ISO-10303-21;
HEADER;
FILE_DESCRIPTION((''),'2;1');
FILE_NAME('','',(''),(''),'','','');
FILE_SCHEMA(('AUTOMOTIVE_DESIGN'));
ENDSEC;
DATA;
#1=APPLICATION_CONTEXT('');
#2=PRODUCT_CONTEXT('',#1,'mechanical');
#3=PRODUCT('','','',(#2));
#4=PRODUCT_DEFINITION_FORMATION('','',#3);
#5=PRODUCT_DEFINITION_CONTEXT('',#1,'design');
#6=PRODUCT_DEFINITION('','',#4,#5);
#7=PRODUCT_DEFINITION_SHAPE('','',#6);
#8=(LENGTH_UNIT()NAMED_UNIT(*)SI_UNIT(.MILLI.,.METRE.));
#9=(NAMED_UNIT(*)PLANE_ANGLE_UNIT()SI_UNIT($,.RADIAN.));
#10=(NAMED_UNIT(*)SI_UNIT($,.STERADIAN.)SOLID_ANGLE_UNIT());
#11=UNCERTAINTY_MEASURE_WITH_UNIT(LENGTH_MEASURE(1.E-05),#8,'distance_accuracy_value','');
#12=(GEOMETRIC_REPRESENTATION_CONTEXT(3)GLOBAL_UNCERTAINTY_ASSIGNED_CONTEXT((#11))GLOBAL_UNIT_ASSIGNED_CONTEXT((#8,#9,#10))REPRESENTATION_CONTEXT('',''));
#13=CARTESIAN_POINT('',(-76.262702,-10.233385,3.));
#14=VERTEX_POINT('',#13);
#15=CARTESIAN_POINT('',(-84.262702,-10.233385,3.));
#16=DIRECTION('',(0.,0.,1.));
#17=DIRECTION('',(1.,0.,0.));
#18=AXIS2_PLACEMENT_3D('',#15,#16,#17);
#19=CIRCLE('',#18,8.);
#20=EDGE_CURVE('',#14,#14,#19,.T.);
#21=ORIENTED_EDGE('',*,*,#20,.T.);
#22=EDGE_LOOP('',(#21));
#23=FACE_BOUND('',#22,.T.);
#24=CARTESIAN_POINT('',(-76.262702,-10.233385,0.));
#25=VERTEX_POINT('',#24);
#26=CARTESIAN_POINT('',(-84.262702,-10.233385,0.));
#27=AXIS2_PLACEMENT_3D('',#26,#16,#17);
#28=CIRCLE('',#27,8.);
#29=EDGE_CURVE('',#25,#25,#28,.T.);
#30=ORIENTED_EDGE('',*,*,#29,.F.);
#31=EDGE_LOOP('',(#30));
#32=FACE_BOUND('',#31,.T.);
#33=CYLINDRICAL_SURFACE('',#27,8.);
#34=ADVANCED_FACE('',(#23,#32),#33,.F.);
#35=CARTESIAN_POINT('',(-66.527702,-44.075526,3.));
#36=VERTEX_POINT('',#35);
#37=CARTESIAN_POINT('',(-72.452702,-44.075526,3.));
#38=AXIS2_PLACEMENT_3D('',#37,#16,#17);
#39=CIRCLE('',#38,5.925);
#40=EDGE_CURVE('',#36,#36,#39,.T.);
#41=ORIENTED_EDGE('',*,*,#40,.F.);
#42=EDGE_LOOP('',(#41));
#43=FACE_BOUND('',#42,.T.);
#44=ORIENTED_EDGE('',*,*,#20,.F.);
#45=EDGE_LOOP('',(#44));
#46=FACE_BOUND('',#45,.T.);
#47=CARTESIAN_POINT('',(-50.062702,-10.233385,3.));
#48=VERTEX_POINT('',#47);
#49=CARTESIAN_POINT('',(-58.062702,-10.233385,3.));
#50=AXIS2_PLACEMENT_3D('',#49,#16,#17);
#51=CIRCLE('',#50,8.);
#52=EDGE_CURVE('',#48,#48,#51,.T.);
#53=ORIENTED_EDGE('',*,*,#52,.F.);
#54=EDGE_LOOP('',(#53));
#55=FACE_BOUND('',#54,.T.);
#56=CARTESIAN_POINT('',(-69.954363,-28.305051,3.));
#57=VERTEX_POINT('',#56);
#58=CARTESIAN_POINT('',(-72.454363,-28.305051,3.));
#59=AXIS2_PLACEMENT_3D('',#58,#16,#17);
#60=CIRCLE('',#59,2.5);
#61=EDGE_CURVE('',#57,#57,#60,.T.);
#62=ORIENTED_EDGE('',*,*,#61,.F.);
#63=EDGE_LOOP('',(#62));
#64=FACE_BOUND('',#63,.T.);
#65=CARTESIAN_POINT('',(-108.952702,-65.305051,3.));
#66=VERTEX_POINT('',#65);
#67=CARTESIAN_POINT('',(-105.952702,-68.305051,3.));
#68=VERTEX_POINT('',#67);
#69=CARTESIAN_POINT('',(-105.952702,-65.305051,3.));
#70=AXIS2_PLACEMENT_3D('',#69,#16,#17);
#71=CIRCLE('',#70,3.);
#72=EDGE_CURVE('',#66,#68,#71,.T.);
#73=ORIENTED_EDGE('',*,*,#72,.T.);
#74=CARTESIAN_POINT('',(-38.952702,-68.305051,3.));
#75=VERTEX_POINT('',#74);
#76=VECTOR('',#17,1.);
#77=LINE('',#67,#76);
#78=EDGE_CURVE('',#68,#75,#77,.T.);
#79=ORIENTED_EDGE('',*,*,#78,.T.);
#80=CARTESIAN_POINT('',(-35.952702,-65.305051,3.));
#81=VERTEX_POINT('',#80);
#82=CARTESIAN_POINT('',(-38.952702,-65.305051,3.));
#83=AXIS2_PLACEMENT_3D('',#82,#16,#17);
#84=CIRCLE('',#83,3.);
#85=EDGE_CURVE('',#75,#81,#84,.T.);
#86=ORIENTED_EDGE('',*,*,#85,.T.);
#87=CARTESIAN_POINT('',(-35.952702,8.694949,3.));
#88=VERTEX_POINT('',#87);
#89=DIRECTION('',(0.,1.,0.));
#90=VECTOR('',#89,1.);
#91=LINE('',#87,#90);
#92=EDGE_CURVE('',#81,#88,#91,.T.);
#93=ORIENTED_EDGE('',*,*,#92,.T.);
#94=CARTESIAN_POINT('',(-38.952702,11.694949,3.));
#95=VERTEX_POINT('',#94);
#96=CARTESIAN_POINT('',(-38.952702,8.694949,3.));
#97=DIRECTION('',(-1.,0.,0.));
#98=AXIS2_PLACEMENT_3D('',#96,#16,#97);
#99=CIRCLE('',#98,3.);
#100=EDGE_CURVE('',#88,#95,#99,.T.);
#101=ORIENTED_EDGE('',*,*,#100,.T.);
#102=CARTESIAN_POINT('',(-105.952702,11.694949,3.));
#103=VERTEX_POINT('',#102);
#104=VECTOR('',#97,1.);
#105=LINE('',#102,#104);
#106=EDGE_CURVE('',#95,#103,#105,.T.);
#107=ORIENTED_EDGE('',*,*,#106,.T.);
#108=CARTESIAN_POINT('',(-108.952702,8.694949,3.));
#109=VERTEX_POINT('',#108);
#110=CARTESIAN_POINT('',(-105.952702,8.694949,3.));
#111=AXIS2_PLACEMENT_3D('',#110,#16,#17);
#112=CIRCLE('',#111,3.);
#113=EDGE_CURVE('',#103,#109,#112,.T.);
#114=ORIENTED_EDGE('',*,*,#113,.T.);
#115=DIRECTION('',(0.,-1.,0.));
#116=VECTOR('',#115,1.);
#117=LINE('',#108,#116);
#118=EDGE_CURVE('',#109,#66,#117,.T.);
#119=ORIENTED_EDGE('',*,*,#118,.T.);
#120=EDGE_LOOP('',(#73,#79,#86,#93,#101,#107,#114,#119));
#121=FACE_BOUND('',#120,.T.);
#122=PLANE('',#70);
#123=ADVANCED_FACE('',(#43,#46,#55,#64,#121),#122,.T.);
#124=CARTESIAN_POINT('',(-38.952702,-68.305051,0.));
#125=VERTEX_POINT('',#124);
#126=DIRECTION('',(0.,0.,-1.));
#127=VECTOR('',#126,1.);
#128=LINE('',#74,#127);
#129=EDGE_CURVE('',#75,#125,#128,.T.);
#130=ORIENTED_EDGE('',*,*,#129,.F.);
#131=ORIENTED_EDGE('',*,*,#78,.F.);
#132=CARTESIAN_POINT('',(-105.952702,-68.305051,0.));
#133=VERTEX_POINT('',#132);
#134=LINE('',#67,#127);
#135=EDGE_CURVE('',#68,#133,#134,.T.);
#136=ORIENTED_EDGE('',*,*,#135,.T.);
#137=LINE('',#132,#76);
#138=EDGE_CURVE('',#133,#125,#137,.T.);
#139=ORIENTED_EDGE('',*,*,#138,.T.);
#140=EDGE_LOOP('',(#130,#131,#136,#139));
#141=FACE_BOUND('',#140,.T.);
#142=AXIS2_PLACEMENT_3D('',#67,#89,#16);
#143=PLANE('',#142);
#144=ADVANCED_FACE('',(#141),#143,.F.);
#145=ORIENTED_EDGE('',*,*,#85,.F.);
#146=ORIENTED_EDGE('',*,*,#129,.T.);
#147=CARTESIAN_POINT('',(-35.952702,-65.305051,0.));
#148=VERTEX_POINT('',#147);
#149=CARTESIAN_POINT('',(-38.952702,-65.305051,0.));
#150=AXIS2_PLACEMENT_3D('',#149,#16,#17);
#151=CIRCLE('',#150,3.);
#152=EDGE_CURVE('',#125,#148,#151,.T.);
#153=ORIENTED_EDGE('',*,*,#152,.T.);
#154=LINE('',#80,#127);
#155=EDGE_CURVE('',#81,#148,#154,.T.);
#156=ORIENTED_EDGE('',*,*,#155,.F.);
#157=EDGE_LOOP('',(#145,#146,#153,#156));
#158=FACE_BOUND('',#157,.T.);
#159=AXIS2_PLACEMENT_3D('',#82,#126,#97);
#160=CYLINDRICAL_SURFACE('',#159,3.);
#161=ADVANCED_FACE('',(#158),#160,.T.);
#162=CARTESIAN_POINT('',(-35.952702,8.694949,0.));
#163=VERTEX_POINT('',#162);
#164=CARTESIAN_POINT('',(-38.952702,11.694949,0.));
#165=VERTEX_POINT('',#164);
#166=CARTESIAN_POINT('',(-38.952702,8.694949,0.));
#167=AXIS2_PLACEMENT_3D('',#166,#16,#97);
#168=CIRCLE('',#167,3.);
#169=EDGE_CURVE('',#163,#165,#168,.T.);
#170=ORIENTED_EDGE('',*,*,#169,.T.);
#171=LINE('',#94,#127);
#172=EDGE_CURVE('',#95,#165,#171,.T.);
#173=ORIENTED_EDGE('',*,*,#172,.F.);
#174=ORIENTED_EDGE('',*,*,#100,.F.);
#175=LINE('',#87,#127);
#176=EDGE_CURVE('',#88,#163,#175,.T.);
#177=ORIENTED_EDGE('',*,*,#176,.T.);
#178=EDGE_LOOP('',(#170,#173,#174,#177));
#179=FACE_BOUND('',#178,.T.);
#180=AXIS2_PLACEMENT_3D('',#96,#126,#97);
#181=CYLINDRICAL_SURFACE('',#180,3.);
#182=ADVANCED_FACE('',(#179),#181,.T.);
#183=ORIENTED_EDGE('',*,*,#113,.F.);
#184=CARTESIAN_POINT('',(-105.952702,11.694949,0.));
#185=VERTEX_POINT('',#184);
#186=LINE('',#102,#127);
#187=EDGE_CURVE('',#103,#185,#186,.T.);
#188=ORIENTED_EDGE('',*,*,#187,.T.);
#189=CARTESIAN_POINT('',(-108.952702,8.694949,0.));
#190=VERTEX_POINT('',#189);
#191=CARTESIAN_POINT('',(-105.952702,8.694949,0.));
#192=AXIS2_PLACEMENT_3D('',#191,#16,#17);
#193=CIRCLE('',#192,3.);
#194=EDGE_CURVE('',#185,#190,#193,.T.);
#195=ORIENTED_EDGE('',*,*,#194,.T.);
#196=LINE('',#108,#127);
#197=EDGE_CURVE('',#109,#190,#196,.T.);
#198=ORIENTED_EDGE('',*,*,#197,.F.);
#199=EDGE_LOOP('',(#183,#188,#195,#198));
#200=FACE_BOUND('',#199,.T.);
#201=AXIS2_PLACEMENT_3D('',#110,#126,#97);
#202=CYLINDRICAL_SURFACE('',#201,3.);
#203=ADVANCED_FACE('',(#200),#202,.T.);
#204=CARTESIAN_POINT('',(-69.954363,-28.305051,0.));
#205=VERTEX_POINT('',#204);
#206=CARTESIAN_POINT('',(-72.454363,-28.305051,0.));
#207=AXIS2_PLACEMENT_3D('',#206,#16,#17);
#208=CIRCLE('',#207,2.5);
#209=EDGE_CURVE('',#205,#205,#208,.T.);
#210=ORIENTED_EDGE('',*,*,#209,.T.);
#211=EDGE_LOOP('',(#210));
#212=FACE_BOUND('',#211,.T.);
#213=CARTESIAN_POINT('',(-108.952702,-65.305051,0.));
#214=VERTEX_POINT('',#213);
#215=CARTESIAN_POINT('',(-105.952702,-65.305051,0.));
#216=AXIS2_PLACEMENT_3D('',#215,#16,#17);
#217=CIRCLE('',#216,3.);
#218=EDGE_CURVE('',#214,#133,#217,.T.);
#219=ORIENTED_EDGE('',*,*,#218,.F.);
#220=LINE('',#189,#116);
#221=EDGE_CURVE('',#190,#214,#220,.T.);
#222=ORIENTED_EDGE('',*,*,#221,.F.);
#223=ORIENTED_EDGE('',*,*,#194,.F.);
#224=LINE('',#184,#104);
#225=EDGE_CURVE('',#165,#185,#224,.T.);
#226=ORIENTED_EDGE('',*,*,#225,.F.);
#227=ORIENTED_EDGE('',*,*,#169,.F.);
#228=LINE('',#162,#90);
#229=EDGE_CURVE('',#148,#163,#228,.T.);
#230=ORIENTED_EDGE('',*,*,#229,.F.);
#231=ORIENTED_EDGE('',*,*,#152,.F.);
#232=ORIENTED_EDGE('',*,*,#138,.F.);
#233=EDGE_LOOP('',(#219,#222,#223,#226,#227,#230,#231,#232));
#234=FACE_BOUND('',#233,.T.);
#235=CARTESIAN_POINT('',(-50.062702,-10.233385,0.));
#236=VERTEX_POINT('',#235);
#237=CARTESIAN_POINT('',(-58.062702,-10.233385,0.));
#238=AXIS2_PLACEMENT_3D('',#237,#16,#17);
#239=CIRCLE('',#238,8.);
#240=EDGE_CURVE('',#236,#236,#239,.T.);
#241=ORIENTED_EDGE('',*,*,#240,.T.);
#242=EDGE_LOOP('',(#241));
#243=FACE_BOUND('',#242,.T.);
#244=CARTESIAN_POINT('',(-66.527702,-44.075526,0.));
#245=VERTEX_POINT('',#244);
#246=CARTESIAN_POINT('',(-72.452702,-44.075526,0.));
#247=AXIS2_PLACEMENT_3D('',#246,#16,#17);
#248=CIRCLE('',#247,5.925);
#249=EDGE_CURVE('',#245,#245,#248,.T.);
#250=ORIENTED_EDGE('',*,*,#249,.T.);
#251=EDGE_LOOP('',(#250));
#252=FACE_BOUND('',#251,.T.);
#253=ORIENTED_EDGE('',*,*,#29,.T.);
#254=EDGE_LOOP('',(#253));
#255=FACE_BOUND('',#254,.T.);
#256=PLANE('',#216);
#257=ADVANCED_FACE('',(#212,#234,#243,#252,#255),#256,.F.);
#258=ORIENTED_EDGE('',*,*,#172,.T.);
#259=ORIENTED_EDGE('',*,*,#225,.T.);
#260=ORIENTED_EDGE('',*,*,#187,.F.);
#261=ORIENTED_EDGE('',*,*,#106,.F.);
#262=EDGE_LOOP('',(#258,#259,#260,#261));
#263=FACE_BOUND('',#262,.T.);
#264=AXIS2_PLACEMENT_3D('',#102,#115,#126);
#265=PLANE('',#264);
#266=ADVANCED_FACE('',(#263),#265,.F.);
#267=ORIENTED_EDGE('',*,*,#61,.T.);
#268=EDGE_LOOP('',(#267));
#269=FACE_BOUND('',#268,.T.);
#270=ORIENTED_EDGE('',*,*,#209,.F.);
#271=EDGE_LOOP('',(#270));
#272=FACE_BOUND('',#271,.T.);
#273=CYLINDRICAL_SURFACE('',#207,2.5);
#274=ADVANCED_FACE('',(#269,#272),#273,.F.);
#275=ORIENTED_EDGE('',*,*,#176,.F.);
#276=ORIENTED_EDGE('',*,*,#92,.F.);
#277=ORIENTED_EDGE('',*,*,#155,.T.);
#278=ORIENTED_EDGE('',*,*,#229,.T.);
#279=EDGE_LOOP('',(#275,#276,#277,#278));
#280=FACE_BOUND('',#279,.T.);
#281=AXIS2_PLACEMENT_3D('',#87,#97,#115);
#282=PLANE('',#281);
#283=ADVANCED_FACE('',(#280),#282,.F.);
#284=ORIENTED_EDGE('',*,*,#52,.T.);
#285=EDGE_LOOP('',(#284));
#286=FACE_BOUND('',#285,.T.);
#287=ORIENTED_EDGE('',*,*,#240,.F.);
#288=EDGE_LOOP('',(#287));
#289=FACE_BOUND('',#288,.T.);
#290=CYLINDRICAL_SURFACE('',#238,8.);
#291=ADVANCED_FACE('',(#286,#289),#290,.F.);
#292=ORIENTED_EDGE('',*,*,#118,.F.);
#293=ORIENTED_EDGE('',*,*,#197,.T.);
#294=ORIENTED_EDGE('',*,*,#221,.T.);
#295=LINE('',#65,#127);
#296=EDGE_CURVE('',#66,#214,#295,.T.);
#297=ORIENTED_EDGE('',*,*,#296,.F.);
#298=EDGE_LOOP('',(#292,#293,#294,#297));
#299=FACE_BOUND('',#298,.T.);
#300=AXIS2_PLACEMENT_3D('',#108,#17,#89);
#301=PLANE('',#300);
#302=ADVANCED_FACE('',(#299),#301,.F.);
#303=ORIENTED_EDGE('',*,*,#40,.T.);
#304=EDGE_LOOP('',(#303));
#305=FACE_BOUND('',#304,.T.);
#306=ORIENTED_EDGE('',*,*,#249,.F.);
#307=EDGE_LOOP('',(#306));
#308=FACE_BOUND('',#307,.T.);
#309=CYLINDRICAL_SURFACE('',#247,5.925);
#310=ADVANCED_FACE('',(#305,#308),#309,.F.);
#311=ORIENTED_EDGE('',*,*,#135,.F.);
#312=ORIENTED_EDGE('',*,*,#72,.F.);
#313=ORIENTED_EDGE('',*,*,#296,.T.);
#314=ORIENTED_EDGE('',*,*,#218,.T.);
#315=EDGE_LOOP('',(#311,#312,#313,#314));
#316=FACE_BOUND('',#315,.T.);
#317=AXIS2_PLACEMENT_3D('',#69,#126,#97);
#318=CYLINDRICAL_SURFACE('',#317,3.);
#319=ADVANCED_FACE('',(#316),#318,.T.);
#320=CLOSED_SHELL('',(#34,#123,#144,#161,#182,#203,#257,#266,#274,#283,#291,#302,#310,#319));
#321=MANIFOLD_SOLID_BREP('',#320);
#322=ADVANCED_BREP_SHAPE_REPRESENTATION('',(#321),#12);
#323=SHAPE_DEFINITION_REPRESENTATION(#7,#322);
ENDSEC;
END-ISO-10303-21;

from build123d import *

# Parameters (mm, degrees)
BOSS_EXTRUDE2_DEPTH = 3
SKETCH3_R           = 8
SKETCH3_R_2         = 2.5
SKETCH3_R_3         = 5.925
CUT_EXTRUDE3_DEPTH  = 3


with BuildPart() as part:
    # Sketch2 → Boss-Extrude2 (new body)
    with BuildSketch(Plane.XY):
        with BuildLine():
            Line((-105.952702328, 11.694948853), (-38.952702328, 11.694948853))
            ThreePointArc((-38.952702328, 11.694948853), (-36.831381985, 10.816269197), (-35.952702328, 8.694948853))
            Line((-35.952702328, 8.694948853), (-35.952702328, -65.305051147))
            ThreePointArc((-35.952702328, -65.305051147), (-36.831381985, -67.42637149), (-38.952702328, -68.305051147))
            Line((-38.952702328, -68.305051147), (-105.952702328, -68.305051147))
            ThreePointArc((-105.952702328, -68.305051147), (-108.074022672, -67.42637149), (-108.952702328, -65.305051147))
            Line((-108.952702328, -65.305051147), (-108.952702328, 8.694948853))
            ThreePointArc((-108.952702328, 8.694948853), (-108.074022672, 10.816269197), (-105.952702328, 11.694948853))
        make_face()
    extrude(amount=BOSS_EXTRUDE2_DEPTH)

    # Sketch3 → Cut-Extrude3 (cut)
    with BuildSketch(Plane.XY.offset(3)):
        with Locations((-84.262702328, -10.233385412)):
            Circle(SKETCH3_R)
        with Locations((-58.062702328, -10.233385412)):
            Circle(SKETCH3_R)
        with Locations((-72.454362532, -28.305051147)):
            Circle(SKETCH3_R_2)
        with Locations((-72.452702328, -44.07552637)):
            Circle(SKETCH3_R_3)
    extrude(amount=-CUT_EXTRUDE3_DEPTH, mode=Mode.SUBTRACT)


solid = part.part
